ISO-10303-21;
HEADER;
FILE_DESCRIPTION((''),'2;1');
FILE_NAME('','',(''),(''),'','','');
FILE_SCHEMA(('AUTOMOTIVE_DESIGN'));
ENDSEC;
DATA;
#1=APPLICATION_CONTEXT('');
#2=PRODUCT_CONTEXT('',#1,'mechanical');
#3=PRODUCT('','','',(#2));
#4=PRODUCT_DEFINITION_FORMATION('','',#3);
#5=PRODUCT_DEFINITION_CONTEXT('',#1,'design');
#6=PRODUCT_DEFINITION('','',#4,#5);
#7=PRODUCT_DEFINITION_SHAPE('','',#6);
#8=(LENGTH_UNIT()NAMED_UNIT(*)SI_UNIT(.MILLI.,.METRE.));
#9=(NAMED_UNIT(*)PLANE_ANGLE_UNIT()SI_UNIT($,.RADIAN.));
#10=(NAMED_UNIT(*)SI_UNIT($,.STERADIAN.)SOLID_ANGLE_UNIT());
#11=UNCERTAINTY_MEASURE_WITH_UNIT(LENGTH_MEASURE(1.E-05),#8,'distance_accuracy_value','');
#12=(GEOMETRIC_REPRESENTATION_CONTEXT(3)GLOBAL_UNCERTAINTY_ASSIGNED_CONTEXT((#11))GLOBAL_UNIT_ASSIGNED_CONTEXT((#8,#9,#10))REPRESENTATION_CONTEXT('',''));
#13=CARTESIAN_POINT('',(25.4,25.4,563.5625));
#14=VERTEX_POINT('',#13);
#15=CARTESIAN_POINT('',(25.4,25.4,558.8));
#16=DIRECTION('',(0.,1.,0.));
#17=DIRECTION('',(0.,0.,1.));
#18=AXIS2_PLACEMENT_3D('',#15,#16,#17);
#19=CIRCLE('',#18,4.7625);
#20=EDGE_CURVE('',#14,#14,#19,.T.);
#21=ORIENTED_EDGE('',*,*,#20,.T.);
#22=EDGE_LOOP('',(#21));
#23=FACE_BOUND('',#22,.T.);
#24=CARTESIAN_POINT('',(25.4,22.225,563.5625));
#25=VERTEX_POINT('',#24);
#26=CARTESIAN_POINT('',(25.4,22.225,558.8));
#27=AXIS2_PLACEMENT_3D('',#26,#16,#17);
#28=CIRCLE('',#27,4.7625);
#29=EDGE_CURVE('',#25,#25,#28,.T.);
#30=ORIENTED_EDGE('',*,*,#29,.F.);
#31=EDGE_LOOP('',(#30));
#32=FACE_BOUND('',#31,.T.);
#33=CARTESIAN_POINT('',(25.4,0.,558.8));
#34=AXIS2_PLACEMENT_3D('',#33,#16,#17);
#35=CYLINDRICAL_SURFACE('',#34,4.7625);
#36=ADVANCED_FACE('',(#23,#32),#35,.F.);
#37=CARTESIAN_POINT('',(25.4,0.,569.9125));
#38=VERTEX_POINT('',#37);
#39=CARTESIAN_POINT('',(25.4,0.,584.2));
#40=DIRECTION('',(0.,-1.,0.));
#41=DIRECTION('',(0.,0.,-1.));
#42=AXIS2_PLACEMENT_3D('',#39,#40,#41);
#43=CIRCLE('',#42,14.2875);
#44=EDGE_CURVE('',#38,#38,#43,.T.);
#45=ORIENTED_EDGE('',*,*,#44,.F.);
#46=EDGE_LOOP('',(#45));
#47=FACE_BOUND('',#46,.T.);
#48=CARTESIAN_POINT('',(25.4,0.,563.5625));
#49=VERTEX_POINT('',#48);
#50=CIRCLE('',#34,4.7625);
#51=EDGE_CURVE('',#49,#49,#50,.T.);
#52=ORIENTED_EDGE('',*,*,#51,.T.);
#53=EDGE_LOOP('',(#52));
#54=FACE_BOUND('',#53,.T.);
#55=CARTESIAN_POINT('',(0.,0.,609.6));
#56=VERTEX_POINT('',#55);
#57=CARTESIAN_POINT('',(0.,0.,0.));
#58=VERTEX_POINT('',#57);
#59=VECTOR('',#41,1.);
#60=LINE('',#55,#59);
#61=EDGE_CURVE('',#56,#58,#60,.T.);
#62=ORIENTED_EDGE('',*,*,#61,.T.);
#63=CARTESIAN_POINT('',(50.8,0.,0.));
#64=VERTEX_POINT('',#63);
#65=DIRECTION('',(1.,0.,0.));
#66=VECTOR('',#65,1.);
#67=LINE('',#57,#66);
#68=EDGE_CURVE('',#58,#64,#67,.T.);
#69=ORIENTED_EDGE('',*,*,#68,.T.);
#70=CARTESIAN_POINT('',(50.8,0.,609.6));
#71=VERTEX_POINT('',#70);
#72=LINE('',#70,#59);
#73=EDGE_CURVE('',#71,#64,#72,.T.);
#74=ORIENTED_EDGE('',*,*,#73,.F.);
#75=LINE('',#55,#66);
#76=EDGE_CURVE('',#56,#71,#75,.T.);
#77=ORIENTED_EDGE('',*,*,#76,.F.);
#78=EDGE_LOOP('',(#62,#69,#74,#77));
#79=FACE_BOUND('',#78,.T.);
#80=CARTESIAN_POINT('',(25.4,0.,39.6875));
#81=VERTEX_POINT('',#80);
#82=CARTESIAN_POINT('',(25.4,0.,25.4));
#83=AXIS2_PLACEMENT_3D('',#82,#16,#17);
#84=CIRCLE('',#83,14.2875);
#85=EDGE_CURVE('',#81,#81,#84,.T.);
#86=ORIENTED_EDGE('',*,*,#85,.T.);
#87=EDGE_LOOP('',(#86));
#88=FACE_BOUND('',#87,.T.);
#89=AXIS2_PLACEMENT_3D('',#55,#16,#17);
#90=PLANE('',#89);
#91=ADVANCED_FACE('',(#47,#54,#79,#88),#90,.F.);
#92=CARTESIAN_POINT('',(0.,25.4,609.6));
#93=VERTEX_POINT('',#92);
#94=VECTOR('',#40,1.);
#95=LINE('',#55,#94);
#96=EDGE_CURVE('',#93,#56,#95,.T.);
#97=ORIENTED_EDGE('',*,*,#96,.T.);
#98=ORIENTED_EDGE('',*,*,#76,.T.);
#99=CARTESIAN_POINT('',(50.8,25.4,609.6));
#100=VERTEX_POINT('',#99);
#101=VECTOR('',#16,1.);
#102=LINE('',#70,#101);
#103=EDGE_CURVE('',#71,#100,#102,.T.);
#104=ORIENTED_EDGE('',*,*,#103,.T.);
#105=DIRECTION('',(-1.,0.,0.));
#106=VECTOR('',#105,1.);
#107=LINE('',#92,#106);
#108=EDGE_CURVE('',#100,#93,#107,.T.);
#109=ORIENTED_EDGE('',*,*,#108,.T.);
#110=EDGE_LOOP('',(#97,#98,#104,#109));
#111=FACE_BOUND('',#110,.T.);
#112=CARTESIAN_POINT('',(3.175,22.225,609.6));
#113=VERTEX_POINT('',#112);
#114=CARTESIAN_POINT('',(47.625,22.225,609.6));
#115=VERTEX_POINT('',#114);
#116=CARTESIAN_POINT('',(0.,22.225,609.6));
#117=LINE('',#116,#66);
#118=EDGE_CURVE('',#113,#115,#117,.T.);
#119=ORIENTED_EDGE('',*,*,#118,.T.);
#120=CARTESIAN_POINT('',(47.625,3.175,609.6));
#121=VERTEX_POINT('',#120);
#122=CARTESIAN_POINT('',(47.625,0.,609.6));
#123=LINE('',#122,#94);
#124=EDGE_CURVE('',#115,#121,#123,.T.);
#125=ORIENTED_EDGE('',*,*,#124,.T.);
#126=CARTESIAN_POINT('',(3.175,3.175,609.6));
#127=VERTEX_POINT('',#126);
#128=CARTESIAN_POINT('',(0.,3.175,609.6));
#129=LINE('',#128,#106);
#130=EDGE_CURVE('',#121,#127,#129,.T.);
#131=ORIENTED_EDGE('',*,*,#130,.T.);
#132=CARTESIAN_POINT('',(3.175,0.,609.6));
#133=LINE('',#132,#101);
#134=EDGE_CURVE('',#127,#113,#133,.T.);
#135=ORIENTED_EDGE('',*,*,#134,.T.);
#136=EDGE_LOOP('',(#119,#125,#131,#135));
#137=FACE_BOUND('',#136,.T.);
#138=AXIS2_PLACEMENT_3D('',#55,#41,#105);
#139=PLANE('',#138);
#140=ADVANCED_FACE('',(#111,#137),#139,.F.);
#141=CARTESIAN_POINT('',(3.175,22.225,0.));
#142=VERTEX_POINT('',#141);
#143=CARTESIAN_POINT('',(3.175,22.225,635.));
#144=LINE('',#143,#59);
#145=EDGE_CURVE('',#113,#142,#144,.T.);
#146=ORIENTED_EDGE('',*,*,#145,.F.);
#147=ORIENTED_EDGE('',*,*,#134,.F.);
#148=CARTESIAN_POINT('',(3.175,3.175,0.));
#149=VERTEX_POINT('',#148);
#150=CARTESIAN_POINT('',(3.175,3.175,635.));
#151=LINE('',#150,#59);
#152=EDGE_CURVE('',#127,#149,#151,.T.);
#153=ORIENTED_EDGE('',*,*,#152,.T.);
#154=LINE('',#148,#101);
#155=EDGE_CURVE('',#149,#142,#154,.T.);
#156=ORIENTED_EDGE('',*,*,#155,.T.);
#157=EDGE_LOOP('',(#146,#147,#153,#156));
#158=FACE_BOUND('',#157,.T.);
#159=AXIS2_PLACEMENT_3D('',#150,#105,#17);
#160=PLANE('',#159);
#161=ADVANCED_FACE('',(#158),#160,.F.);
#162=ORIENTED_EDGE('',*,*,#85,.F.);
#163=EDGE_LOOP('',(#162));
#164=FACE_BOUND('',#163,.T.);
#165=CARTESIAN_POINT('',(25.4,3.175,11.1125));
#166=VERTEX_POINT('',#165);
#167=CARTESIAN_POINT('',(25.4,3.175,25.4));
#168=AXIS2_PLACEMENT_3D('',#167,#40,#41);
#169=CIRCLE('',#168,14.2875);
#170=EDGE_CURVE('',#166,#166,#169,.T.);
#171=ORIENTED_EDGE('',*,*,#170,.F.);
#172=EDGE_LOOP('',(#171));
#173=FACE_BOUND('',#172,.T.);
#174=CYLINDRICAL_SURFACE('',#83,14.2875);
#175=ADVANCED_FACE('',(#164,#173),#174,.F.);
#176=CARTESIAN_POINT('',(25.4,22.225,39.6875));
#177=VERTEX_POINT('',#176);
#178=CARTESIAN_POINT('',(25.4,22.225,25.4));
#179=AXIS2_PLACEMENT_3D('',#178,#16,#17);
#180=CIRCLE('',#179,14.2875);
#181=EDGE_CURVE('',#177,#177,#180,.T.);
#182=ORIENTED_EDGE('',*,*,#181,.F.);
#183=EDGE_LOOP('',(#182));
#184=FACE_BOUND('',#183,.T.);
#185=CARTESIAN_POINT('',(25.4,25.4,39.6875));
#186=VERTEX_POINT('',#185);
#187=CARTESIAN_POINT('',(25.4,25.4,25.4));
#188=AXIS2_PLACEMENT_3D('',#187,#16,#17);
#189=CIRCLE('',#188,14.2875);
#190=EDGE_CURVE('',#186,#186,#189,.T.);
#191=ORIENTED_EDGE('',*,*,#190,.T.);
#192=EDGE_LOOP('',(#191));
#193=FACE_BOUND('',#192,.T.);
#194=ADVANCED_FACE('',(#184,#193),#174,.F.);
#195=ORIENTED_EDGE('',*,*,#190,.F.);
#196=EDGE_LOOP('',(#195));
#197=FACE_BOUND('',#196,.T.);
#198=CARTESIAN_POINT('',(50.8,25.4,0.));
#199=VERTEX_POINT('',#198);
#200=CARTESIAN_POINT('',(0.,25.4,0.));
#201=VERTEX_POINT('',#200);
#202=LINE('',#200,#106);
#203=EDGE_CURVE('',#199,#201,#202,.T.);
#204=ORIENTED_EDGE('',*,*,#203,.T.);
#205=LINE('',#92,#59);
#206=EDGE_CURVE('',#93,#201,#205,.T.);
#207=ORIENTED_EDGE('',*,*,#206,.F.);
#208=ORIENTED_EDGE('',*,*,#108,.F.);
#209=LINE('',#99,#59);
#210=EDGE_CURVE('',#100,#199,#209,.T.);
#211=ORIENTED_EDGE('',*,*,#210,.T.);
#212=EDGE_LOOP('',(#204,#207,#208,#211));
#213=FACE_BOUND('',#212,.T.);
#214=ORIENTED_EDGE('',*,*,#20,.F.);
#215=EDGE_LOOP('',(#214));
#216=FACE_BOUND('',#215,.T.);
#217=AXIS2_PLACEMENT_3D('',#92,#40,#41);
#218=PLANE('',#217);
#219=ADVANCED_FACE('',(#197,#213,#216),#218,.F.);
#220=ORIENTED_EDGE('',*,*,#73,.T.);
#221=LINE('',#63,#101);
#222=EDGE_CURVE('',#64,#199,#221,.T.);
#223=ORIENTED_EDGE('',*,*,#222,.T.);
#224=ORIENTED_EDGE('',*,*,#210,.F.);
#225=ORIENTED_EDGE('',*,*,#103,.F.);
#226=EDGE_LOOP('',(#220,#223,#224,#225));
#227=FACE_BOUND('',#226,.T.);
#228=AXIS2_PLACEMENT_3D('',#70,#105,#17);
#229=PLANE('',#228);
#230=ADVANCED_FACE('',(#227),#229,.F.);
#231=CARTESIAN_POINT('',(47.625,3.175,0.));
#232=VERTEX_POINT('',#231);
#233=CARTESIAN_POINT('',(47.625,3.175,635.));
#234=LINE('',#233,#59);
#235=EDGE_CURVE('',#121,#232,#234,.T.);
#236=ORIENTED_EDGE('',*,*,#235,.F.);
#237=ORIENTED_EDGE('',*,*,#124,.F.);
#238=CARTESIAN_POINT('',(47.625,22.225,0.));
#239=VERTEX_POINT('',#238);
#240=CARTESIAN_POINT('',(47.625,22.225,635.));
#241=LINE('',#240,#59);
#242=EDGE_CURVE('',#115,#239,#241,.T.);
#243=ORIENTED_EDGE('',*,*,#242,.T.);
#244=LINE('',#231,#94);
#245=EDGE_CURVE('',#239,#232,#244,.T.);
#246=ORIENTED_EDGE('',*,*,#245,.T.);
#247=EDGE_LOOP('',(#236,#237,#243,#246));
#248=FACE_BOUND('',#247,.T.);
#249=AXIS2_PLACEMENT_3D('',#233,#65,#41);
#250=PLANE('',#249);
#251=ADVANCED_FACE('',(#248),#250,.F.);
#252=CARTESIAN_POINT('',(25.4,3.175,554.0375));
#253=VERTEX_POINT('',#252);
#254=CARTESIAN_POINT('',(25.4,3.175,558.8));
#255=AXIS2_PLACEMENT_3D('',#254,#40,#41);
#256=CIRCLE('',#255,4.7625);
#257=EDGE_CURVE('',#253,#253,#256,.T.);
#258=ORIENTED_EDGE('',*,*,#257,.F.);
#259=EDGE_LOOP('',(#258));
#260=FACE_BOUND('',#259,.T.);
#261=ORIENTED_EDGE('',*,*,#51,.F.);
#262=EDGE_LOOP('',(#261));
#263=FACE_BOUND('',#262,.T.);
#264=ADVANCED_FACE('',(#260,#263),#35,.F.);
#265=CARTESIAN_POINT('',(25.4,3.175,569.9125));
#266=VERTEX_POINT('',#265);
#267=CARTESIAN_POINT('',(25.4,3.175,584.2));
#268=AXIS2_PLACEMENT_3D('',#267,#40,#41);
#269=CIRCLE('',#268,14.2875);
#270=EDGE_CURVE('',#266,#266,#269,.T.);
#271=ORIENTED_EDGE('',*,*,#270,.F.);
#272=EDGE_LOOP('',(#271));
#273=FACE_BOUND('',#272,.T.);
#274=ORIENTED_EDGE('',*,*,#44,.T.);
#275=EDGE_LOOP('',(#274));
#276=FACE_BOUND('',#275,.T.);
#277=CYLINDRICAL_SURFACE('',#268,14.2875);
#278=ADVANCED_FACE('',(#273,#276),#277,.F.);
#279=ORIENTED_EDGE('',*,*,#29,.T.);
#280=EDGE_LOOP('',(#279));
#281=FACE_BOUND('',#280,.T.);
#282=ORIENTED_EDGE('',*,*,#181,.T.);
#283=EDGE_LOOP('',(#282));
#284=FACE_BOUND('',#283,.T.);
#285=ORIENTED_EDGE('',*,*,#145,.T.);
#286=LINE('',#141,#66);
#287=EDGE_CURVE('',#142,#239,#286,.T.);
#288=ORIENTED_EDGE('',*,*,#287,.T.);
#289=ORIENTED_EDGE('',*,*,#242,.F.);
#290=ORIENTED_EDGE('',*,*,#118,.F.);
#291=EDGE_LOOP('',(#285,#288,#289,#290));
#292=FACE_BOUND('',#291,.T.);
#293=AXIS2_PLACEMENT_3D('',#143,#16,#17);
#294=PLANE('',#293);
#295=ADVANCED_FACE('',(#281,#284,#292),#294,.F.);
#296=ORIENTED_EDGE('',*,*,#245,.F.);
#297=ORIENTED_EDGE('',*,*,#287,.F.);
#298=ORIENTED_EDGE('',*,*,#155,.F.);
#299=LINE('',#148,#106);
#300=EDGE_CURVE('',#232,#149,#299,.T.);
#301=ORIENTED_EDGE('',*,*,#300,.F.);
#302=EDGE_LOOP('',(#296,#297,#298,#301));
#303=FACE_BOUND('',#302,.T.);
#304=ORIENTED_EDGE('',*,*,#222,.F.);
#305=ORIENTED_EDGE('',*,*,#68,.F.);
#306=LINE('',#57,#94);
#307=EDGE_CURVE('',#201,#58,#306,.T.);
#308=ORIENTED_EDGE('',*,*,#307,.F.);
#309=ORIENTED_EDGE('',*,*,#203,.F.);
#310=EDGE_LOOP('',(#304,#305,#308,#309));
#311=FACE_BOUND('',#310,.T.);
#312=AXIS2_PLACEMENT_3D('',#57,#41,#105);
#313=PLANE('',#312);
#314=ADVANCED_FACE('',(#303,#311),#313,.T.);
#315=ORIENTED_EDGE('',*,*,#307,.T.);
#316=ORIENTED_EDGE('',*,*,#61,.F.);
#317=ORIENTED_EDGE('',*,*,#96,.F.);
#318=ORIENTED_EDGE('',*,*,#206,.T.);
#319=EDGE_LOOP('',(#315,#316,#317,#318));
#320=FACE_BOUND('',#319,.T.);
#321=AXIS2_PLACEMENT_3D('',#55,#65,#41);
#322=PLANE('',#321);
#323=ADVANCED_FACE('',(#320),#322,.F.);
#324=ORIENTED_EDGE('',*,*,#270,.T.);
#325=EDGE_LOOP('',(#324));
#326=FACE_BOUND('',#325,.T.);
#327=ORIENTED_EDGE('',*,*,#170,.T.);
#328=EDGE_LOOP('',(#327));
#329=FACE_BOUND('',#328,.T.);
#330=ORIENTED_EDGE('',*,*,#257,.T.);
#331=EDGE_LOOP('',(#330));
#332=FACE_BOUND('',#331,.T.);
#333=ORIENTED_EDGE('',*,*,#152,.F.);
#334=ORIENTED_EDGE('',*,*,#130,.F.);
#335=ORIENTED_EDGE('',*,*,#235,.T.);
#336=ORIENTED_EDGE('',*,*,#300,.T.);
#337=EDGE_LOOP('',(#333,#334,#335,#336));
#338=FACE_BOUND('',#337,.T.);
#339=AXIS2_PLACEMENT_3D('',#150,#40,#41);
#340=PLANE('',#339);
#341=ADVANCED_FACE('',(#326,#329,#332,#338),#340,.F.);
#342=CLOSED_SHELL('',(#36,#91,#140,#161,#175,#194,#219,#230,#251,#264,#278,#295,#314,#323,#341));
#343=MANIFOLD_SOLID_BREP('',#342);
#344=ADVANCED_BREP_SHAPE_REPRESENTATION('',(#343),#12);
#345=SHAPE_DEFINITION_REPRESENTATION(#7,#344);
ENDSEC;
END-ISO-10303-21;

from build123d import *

# Parameters (mm, degrees)
SKETCH1_W           = 50.8
SKETCH1_H           = 25.4
BOSS_EXTRUDE1_DEPTH = 609.6
SKETCH2_W           = 44.45
SKETCH2_H           = 19.05
CUT_EXTRUDE1_DEPTH  = 635
SKETCH6_R           = 14.2875
CUT_EXTRUDE5_DEPTH  = 25.4
SKETCH7_R           = 14.2875
CUT_EXTRUDE6_DEPTH  = 3.175
SKETCH8_R           = 4.7625
CUT_EXTRUDE7_DEPTH  = 25.4


with BuildPart() as part:
    # Sketch1 → Boss-Extrude1 (new body)
    with BuildSketch(Plane.XY):
        with Locations((25.4, 12.7)):
            Rectangle(SKETCH1_W, SKETCH1_H)
    extrude(amount=BOSS_EXTRUDE1_DEPTH)

    # Sketch2 → Cut-Extrude1 (cut)
    with BuildSketch(Plane(origin=(0, 0, 0), x_dir=(-1, 0, 0), z_dir=(0, 0, -1))):
        with Locations((-25.4, 12.7)):
            Rectangle(SKETCH2_W, SKETCH2_H)
    extrude(amount=-CUT_EXTRUDE1_DEPTH, mode=Mode.SUBTRACT)

    # Sketch6 → Cut-Extrude5 (cut)
    with BuildSketch(Plane(origin=(0, 25.4, 0), x_dir=(1, 0, 0), z_dir=(0, 1, 0))):
        with Locations((25.4, -25.4)):
            Circle(SKETCH6_R)
    extrude(amount=-CUT_EXTRUDE5_DEPTH, mode=Mode.SUBTRACT)

    # Sketch7 → Cut-Extrude6 (cut)
    with BuildSketch(Plane.XZ):
        with Locations((25.4, 584.2)):
            Circle(SKETCH7_R)
    extrude(amount=-CUT_EXTRUDE6_DEPTH, mode=Mode.SUBTRACT)

    # Sketch8 → Cut-Extrude7 (cut)
    with BuildSketch(Plane(origin=(0, 25.4, 0), x_dir=(1, 0, 0), z_dir=(0, 1, 0))):
        with Locations((25.4, -558.8)):
            Circle(SKETCH8_R)
    extrude(amount=-CUT_EXTRUDE7_DEPTH, mode=Mode.SUBTRACT)


solid = part.part
